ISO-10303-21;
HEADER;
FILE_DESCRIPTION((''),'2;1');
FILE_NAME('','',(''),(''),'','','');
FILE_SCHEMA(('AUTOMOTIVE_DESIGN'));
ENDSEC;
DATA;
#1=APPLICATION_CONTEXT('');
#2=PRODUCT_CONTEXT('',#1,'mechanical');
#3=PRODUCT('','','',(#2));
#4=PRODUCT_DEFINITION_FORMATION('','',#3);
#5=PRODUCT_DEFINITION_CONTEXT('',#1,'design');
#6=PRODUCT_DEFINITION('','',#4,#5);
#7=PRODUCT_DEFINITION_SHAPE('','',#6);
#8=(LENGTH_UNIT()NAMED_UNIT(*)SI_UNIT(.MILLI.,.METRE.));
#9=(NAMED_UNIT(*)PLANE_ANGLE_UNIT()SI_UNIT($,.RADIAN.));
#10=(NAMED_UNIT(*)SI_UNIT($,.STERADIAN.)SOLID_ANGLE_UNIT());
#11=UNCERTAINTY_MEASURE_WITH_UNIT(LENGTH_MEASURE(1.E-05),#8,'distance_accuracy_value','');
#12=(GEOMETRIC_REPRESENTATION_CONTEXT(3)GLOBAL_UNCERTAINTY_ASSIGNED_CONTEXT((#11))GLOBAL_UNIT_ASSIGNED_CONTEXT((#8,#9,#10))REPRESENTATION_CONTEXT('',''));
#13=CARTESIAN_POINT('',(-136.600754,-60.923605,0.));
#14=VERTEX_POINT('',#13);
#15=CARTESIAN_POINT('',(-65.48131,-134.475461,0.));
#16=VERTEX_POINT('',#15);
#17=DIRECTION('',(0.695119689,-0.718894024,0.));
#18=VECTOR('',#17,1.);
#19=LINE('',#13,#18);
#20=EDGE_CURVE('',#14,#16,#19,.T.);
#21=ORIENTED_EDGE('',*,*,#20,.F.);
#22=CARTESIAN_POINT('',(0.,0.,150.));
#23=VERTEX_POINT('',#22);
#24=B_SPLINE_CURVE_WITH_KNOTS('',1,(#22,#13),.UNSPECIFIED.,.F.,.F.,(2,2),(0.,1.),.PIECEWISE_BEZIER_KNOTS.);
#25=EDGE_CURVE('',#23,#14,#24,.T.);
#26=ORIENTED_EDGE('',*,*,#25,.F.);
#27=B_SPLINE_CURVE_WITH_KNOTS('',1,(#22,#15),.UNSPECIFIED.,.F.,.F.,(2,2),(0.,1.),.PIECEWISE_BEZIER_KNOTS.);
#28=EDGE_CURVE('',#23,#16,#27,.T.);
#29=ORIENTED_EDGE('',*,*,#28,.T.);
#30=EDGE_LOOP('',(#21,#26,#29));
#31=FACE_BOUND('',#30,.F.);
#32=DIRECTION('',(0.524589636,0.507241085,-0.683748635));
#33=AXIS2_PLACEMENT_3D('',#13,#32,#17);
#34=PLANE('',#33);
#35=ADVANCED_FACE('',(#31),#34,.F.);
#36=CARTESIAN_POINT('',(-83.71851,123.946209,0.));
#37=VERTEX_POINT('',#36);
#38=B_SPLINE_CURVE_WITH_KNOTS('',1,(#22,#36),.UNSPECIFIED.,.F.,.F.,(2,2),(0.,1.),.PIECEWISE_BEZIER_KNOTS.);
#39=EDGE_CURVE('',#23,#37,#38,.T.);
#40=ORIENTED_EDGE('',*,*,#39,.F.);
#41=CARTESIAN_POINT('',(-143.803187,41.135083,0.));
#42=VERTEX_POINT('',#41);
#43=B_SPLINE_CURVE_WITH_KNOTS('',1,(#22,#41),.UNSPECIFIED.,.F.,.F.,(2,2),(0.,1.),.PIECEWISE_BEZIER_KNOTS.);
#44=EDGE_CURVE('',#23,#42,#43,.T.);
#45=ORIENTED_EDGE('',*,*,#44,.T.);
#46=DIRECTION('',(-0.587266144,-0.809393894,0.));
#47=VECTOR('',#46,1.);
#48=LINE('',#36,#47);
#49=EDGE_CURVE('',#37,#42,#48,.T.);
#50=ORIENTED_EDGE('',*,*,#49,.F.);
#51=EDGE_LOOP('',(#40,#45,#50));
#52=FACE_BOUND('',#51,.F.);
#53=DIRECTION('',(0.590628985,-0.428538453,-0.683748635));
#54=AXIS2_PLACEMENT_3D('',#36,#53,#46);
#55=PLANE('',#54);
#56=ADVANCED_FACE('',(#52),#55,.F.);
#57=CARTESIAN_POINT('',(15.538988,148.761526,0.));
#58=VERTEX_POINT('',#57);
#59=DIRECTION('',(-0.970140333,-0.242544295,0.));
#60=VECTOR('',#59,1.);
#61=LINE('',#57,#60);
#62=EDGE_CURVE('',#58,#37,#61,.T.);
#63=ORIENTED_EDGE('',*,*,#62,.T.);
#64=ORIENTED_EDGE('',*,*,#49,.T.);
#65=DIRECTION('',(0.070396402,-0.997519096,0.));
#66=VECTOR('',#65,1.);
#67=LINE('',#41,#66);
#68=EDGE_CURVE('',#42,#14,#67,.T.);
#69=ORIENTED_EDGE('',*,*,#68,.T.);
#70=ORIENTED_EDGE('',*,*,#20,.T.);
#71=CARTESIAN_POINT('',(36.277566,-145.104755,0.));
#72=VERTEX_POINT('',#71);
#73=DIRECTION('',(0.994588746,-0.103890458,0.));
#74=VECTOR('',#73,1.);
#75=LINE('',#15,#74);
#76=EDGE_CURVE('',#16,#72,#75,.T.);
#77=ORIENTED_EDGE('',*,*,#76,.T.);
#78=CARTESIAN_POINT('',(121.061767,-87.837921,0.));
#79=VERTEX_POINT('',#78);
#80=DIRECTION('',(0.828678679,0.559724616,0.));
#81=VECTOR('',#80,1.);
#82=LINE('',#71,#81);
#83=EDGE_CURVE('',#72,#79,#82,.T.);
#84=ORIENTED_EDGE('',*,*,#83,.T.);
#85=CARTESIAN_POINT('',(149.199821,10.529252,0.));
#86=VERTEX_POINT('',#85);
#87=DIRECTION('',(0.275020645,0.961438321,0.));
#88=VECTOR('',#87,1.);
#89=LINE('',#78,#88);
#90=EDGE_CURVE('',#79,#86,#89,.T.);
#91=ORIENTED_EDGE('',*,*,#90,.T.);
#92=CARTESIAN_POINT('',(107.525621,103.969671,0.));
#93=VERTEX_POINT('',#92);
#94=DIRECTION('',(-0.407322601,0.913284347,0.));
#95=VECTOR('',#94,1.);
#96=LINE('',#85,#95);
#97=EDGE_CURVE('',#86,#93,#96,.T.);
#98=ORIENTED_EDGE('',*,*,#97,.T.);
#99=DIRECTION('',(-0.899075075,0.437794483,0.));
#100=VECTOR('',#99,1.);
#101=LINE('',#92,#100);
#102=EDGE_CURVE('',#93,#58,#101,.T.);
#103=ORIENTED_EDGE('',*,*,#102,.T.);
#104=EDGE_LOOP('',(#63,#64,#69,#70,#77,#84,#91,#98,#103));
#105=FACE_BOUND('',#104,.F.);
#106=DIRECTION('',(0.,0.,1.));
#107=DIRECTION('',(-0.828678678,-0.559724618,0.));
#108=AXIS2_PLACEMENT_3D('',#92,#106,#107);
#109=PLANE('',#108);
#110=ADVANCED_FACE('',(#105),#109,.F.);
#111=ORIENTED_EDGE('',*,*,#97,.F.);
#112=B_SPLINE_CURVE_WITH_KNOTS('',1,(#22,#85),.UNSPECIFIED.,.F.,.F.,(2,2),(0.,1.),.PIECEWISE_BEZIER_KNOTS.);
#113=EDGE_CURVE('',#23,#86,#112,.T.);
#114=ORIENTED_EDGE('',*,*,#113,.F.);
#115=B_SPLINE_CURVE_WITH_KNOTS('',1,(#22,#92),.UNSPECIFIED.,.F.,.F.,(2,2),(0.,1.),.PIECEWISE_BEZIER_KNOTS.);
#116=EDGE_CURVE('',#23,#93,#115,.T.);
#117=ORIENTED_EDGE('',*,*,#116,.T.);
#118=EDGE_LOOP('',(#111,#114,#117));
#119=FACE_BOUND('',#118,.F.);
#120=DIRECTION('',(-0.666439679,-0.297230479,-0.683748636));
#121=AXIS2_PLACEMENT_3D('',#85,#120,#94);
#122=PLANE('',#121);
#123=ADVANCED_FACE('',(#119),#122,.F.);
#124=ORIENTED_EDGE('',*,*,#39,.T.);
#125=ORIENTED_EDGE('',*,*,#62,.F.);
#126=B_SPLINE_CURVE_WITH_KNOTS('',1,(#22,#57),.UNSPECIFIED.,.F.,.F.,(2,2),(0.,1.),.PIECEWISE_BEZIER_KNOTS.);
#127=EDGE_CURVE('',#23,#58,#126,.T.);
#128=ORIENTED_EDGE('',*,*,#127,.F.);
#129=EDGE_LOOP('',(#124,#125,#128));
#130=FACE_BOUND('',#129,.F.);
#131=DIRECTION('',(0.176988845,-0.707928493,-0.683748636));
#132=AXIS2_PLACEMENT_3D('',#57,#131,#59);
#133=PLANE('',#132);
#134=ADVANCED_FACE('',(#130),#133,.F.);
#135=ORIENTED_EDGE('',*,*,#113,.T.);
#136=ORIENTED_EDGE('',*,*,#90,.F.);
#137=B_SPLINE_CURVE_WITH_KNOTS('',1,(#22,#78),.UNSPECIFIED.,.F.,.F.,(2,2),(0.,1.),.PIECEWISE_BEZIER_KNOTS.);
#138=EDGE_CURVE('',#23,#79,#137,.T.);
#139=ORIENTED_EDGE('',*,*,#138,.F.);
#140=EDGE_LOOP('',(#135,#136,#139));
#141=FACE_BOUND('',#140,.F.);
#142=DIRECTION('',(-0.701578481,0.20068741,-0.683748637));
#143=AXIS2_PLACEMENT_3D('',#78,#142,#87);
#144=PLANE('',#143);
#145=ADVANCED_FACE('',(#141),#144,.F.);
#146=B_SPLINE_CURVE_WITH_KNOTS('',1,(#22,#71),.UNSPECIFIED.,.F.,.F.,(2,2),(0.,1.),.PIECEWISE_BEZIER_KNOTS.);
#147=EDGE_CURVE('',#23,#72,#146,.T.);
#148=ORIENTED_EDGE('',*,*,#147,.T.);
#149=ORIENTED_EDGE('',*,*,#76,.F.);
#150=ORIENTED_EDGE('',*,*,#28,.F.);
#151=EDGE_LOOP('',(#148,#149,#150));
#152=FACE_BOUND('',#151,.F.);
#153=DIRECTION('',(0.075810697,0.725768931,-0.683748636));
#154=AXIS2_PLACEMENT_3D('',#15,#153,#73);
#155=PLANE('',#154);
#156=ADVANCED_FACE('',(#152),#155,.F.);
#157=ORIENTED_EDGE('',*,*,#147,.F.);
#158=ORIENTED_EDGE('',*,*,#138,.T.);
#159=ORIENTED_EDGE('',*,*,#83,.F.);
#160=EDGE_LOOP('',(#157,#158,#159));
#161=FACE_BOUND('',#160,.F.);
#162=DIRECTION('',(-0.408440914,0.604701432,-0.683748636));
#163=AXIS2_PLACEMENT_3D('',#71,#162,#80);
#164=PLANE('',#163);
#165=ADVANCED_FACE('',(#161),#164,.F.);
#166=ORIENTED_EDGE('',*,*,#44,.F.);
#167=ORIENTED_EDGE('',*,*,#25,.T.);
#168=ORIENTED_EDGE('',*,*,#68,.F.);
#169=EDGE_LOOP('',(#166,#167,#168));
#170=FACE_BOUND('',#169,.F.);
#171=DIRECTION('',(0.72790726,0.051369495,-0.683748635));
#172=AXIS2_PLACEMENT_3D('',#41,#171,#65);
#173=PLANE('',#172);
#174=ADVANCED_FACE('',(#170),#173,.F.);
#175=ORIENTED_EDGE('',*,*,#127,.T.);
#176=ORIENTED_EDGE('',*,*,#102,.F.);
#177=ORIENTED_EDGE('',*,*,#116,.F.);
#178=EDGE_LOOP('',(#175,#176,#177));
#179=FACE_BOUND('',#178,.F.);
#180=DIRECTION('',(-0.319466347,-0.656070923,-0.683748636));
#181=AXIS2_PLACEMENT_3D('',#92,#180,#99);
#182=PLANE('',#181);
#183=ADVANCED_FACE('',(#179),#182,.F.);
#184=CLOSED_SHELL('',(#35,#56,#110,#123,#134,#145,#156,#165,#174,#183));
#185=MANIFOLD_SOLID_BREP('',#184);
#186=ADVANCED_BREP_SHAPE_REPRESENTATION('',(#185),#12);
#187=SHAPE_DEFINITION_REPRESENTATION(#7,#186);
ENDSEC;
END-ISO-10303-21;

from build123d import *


with BuildPart() as f3:
    # F0 (on Top) → F3 section 0
    with BuildSketch(Plane.XY, mode=Mode.PRIVATE) as f3_s0:
        Polygon((107.525621, 103.969671), (15.538988, 148.761526), (-83.71851, 123.946209), (-143.803187, 41.135083), (-136.600754, -60.923605), (-65.48131, -134.475461), (36.277566, -145.104755), (121.061767, -87.837921), (149.199821, 10.529252), align=None)
    loft([Vertex(0, 0, 150), f3_s0.sketch])


solid = f3.part
